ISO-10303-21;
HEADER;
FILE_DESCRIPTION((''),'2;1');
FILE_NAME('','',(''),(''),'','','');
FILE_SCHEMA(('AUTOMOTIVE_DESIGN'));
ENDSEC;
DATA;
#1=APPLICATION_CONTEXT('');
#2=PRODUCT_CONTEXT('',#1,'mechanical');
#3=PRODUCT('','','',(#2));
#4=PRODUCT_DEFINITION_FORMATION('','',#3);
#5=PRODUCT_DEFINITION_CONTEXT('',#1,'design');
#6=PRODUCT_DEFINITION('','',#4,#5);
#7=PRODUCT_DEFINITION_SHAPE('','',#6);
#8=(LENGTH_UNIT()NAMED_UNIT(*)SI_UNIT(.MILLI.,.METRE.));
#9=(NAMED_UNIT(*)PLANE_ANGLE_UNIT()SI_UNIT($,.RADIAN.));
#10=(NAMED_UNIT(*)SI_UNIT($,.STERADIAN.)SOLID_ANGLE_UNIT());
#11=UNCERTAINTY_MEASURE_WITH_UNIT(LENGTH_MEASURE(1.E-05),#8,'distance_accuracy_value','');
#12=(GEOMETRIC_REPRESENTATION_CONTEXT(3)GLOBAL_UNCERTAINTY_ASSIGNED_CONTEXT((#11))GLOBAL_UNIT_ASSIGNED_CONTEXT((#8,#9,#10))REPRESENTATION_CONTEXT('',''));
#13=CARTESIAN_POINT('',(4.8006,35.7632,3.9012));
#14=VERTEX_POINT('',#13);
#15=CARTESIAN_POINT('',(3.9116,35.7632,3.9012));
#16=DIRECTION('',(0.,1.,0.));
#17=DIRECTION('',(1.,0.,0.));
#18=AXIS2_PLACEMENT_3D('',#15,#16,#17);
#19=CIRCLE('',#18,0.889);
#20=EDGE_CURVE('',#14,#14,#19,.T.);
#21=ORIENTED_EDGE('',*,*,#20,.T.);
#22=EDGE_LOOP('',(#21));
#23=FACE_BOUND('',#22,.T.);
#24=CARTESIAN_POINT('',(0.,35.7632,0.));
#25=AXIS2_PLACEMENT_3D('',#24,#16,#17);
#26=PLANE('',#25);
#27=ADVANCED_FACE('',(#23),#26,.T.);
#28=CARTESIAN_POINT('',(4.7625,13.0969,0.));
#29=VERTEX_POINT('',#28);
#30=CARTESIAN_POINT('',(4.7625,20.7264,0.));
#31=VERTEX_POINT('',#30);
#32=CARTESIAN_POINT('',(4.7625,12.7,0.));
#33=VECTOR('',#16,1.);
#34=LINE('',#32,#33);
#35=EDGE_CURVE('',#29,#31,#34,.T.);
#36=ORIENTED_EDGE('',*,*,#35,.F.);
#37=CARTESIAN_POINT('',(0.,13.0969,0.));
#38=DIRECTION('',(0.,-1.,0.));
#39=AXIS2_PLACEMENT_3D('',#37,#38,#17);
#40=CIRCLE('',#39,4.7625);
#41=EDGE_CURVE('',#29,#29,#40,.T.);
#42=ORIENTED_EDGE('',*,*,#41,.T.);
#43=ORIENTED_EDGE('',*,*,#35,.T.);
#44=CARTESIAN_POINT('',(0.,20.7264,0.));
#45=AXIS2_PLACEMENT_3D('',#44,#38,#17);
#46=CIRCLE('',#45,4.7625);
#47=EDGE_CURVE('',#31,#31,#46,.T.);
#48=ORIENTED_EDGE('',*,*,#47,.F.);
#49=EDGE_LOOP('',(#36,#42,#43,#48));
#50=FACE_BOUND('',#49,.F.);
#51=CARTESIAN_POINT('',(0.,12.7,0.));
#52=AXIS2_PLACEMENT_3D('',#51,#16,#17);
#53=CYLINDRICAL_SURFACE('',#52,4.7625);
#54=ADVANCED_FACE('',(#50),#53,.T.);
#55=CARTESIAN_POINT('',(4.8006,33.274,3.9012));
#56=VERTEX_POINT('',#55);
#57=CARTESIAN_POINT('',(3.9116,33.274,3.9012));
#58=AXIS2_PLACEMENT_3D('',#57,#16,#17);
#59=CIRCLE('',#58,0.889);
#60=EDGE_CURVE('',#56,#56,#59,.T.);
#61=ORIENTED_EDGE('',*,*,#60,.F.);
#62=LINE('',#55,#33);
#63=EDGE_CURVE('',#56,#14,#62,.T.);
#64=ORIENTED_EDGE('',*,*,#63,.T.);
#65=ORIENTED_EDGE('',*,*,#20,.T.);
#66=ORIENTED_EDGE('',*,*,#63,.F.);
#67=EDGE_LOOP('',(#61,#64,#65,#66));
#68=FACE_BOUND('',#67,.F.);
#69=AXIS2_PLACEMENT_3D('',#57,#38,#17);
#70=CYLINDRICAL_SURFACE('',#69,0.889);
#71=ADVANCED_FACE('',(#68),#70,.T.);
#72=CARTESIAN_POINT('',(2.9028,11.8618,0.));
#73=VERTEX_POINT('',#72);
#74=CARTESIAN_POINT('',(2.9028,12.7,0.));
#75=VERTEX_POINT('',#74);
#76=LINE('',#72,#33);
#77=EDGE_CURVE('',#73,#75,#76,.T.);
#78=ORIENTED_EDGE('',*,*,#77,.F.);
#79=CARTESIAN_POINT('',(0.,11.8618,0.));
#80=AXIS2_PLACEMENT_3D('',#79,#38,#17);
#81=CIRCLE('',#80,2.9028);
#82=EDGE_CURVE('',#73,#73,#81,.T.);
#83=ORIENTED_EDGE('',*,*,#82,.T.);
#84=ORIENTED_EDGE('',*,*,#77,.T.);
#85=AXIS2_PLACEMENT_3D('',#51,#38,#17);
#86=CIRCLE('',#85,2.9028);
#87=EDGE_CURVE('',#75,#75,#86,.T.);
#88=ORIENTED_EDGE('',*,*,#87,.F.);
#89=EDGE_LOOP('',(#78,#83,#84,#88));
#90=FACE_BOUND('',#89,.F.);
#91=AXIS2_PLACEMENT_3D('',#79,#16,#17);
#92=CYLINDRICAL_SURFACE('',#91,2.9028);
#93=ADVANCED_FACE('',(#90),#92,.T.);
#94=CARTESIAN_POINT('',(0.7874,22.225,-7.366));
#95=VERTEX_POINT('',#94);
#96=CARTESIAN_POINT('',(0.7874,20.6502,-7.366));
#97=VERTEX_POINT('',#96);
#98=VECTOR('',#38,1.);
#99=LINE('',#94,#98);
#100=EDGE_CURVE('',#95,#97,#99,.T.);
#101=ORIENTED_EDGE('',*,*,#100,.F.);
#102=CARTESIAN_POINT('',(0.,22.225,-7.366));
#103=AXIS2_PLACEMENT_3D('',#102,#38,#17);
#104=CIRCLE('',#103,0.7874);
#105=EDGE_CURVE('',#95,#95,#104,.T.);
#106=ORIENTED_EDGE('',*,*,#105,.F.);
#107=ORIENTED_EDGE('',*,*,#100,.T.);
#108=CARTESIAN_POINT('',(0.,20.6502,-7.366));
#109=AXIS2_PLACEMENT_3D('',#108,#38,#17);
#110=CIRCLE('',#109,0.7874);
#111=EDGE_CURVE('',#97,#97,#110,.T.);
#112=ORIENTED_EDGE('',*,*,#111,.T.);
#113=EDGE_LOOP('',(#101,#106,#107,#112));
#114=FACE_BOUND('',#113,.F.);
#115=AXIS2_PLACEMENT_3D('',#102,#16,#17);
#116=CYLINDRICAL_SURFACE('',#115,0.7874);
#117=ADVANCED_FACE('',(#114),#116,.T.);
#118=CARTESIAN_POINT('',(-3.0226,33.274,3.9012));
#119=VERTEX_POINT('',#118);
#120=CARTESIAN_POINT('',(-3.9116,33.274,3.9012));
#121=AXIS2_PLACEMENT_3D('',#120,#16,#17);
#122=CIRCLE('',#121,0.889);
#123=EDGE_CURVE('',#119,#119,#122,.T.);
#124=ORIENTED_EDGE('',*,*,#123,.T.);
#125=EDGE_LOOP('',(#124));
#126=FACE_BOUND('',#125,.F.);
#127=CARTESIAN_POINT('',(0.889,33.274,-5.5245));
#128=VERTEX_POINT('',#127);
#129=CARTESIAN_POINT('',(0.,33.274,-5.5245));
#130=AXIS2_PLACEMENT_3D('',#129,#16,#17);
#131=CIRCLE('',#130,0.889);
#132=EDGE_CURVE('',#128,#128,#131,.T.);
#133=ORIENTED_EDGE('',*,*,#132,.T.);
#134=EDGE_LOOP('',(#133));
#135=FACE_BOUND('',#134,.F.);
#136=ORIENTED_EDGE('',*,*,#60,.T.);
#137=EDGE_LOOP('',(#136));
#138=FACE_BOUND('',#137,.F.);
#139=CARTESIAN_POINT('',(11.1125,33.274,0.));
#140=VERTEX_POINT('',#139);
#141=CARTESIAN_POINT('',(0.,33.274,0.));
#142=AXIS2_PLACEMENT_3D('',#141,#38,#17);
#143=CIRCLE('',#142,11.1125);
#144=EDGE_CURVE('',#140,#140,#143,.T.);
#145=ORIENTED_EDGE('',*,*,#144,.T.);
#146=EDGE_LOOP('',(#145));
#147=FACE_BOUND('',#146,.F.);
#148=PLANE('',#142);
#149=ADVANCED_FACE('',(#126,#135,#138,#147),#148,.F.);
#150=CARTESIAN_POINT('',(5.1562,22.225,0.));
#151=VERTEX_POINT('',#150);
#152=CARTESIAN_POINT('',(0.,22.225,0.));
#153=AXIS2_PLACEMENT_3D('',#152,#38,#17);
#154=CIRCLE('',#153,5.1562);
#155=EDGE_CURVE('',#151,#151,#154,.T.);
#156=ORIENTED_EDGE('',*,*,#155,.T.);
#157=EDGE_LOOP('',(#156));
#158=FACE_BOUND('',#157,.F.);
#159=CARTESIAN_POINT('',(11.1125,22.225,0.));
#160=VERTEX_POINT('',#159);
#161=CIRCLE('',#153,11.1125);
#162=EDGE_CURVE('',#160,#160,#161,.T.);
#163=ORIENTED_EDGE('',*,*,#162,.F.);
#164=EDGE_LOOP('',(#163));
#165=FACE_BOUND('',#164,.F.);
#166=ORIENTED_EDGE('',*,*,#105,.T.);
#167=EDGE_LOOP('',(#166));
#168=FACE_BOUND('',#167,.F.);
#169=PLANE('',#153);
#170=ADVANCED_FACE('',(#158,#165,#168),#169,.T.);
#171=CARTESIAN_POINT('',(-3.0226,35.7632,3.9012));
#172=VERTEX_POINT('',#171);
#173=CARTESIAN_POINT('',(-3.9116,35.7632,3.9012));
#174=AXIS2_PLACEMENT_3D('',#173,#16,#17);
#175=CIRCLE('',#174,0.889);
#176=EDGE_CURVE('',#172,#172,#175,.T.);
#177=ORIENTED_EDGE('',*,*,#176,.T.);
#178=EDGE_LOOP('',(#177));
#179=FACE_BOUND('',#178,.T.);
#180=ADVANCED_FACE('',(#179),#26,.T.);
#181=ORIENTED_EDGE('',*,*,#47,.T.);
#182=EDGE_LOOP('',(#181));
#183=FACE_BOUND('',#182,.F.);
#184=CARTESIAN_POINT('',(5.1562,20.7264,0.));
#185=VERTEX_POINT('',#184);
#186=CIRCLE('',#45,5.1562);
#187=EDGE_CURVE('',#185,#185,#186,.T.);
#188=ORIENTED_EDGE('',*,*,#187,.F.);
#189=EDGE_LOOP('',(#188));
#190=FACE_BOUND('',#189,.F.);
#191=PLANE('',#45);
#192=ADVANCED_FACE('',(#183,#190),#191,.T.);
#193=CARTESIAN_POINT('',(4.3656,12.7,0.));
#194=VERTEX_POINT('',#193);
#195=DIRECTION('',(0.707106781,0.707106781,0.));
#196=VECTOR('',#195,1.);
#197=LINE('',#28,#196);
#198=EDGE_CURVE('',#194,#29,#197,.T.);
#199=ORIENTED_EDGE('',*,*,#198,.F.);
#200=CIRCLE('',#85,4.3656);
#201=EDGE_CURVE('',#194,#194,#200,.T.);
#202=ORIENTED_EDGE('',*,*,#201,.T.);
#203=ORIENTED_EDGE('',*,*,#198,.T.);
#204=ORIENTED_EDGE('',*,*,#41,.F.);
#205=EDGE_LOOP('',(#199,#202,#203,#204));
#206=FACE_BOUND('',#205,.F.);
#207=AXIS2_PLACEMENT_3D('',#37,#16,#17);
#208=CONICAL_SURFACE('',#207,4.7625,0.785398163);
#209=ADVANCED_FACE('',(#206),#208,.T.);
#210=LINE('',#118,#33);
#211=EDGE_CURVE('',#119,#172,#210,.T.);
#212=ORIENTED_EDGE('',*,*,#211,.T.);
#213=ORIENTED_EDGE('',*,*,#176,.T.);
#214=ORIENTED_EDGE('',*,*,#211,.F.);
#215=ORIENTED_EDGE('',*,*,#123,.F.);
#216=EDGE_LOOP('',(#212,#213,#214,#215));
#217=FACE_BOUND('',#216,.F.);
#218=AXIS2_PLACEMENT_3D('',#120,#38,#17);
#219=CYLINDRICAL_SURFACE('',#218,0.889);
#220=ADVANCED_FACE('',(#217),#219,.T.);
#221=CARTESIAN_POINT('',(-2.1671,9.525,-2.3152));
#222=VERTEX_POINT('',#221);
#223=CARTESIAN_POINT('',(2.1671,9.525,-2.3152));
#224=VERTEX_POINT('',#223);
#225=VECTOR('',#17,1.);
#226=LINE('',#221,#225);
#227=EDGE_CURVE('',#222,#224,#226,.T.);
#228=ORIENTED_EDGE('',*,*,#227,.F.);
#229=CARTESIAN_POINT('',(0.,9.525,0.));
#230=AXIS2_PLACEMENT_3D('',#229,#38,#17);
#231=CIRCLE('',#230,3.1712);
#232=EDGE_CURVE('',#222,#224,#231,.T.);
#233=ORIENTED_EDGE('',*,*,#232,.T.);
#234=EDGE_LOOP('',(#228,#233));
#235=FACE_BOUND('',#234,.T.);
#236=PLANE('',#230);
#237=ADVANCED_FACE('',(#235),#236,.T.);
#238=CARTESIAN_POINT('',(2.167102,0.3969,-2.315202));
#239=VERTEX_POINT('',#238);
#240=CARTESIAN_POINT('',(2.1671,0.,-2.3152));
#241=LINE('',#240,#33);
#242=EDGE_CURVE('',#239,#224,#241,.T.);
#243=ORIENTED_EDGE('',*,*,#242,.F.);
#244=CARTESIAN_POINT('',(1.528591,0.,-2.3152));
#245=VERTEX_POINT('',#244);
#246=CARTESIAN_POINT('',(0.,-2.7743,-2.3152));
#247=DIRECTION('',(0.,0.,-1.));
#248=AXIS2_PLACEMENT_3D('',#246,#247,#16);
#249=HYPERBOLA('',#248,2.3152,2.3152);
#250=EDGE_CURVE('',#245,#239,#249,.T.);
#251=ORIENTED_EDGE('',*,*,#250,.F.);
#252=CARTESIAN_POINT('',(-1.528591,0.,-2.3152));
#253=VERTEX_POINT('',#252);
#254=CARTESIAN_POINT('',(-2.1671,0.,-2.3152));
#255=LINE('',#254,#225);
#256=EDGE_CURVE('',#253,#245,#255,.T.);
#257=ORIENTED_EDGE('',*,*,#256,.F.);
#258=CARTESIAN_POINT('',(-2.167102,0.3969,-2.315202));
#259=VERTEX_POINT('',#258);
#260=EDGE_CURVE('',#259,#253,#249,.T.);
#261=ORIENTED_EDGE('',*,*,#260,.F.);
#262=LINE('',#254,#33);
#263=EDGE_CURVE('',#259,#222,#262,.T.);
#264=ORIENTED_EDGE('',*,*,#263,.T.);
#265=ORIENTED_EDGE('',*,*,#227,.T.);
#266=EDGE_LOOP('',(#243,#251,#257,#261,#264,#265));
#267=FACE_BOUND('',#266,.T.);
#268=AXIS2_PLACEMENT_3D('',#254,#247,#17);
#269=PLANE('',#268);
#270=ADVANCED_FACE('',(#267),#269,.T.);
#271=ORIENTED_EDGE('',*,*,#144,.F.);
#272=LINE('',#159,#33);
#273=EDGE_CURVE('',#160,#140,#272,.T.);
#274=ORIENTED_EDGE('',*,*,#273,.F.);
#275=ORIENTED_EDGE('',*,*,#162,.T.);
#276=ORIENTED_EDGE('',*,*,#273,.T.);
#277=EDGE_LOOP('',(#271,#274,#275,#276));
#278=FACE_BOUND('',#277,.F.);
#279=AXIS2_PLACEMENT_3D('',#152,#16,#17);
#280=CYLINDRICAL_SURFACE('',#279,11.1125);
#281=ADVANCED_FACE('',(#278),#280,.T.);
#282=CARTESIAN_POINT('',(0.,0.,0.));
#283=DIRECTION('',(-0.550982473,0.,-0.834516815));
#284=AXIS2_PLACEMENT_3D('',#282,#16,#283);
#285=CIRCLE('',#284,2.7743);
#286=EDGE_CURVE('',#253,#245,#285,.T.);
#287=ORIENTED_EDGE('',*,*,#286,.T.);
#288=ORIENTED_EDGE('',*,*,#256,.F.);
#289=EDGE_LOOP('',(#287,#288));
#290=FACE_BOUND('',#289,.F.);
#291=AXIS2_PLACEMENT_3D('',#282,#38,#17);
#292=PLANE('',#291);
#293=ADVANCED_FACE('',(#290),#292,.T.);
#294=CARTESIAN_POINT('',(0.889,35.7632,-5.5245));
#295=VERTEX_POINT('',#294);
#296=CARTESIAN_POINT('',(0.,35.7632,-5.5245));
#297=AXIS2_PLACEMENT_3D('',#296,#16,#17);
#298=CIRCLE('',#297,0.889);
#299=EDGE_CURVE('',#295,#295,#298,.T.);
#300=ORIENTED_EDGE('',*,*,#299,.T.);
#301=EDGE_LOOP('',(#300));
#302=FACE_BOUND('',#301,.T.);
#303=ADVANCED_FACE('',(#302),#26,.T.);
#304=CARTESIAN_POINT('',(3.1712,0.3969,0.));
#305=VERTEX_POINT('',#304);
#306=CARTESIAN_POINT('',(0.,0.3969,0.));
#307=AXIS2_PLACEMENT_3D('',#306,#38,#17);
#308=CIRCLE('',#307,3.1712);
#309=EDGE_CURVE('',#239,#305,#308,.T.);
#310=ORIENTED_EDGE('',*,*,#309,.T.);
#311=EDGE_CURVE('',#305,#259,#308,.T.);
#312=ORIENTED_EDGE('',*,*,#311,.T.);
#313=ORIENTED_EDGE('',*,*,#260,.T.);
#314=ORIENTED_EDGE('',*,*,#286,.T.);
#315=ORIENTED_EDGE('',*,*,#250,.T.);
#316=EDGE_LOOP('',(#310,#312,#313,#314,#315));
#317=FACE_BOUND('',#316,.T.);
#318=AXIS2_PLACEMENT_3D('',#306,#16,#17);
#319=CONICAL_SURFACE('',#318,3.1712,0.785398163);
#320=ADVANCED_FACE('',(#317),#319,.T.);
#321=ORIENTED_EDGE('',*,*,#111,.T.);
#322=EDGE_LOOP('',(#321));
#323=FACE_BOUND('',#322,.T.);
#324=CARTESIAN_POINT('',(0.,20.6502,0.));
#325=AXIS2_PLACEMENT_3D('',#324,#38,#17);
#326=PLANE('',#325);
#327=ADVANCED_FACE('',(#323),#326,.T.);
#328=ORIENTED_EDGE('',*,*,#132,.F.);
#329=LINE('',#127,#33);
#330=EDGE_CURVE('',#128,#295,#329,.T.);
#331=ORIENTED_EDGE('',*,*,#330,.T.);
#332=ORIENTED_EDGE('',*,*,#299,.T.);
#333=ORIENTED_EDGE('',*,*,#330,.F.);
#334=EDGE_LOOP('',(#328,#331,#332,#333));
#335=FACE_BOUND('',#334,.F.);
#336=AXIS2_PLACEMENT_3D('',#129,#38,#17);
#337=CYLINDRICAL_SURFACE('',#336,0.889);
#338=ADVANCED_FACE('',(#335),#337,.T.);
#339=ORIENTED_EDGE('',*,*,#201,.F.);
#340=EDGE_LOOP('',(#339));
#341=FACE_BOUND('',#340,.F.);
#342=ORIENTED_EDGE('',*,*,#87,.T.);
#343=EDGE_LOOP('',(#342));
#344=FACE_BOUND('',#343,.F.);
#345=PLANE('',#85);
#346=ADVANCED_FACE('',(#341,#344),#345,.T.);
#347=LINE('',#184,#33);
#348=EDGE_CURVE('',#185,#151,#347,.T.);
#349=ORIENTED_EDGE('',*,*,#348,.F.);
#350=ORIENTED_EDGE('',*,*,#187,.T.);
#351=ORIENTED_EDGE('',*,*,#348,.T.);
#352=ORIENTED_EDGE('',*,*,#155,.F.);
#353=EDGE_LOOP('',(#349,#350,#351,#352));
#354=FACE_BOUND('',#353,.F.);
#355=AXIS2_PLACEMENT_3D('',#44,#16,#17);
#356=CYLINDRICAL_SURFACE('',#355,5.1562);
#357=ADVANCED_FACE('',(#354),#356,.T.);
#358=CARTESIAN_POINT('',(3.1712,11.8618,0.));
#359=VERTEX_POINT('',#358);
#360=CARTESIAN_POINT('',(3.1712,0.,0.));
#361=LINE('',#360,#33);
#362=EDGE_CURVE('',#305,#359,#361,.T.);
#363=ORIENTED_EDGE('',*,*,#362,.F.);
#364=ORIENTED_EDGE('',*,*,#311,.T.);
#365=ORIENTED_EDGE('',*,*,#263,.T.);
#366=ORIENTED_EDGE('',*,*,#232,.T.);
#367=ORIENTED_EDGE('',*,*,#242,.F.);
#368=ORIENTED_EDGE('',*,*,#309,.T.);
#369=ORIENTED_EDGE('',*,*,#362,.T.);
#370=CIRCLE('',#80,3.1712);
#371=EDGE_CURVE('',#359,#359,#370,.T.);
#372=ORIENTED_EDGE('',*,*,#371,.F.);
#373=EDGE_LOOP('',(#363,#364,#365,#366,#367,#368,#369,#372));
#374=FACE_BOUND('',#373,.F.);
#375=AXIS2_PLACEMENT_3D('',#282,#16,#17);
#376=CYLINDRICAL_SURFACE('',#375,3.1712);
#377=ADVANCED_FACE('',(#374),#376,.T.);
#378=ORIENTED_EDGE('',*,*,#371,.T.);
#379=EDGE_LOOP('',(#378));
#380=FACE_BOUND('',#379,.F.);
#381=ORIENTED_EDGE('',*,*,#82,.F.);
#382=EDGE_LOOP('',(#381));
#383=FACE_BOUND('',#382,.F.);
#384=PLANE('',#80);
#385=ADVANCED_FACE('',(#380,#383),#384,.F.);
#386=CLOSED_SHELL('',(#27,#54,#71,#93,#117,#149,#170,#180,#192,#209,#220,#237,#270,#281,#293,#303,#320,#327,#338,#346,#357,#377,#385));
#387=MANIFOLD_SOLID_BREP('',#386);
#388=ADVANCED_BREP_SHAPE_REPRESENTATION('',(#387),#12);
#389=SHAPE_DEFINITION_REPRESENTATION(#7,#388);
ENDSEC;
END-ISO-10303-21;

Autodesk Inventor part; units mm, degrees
ref_plane "YZ Plane" through (0, 0, 0) normal (1, 0, 0) x (0, 1, 0)
ref_plane "XZ Plane" through (0, 0, 0) normal (0, 1, 0) x (-1, 0, 0)
ref_plane "XY Plane" through (0, 0, 0) normal (0, 0, 1) x (1, 0, 0)
sketch "Sketch1" plane through (0, 0, 0) normal (0, 0, 1) x (1, 0, 0)
  line L0 (0, 0) -> (3.1712, 0)
  line L1 (3.1712, 0) -> (3.1712, 11.8618)
  line L2 (3.1712, 11.8618) -> (0, 11.8618)
  line L3 (0, 11.8618) -> (0, 0)
  line L4 (0, 11.8618) -> (2.9028, 11.8618)
  line L5 (2.9028, 11.8618) -> (2.9028, 12.7)
  line L6 (2.9028, 12.7) -> (0, 12.7)
  line L7 (0, 12.7) -> (0, 11.8618)
  line L8 (0, 12.7) -> (4.7625, 12.7)
  line L9 (4.7625, 12.7) -> (4.7625, 20.7264)
  line L10 (4.7625, 20.7264) -> (0, 20.7264)
  line L11 (0, 20.7264) -> (0, 12.7)
  line L12 (0, 20.7264) -> (5.1562, 20.7264)
  line L13 (5.1562, 20.7264) -> (5.1562, 22.225)
  line L14 (5.1562, 22.225) -> (0, 22.225)
  line L15 (0, 22.225) -> (0, 20.7264)
  line L16 (0, 22.225) -> (11.1125, 22.225)
  line L17 (11.1125, 22.225) -> (11.1125, 33.274)
  line L18 (11.1125, 33.274) -> (0, 33.274)
  line L19 (0, 33.274) -> (0, 22.225)
  dimension "d0" = 22.225
  dimension "d1" = 9.525
  dimension "d2" = 1.4986
  dimension "d3" = 0.8382
  dimension "d4" = 3.1712
  dimension "d5" = 5.1562
  dimension "d6" = 11.049
  dimension "d7" = 11.1125
  dimension "d8" = 4.7625
revolve "Revolution1" add sketch "Sketch1" angle 360 about axis through (0, 33.274, 0) along (0, -1, 0)
chamfer "Chamfer1" distance 0.3969 angle 45 2 edges at (-3.1712, 0, 0) (-4.7625, 12.7, 0)
sketch "Sketch2" plane through (0, 22.225, 0) normal (0, -1, 0) x (1, 0, 0)
  circle A0 centre (0, -7.366) radius 0.7874
  circle A1 centre (0, 0) radius 11.1125 projected
  point P0 (0, 0)
  dimension "d13" = 1.5748
  dimension "d14" = 7.366
extrude "Extrusion1" add sketch "Sketch2" along normal blind 1.5748 contours A0
sketch "Sketch3" plane through (0, 0, 0) normal (0, -1, 0) x (1, 0, 0)
  line L0 (-2.1671, -2.3152) -> (2.1671, -2.3152)
  circle A0 centre (0, 0) radius 3.1712 projected
  point P0 (0, 0)
  dimension "d18" = 5.4864
extrude "Extrusion2" cut sketch "Sketch3" against normal blind 9.525 contours L0 A0 picked at (-0.5411, -2.4515)
sketch "Sketch4" plane through (0, 33.274, 0) normal (0, 1, 0) x (1, 0, 0)
  circle A0 centre (0, 0) radius 5.5245 construction
  circle A1 centre (3.9116, -3.9012) radius 0.889
  circle A2 centre (-3.9116, -3.9012) radius 0.889
  circle A3 centre (0, 5.5245) radius 0.889
  line L0 (3.9116, -3.9012) -> (-3.9116, -3.9012) construction
  line L1 (0, 0) -> (0, 11.1125) construction
  circle A4 centre (0, 0) radius 11.1125 construction
  dimension "d21" = 11.049
  dimension "d22" = 7.8232
  dimension "d23" = 1.778
extrude "Extrusion3" add sketch "Sketch4" along normal blind 2.4892
properties part number "TT_Electronics_Encoder_6127V1A360L.5FS" material "Aluminum 6061"
